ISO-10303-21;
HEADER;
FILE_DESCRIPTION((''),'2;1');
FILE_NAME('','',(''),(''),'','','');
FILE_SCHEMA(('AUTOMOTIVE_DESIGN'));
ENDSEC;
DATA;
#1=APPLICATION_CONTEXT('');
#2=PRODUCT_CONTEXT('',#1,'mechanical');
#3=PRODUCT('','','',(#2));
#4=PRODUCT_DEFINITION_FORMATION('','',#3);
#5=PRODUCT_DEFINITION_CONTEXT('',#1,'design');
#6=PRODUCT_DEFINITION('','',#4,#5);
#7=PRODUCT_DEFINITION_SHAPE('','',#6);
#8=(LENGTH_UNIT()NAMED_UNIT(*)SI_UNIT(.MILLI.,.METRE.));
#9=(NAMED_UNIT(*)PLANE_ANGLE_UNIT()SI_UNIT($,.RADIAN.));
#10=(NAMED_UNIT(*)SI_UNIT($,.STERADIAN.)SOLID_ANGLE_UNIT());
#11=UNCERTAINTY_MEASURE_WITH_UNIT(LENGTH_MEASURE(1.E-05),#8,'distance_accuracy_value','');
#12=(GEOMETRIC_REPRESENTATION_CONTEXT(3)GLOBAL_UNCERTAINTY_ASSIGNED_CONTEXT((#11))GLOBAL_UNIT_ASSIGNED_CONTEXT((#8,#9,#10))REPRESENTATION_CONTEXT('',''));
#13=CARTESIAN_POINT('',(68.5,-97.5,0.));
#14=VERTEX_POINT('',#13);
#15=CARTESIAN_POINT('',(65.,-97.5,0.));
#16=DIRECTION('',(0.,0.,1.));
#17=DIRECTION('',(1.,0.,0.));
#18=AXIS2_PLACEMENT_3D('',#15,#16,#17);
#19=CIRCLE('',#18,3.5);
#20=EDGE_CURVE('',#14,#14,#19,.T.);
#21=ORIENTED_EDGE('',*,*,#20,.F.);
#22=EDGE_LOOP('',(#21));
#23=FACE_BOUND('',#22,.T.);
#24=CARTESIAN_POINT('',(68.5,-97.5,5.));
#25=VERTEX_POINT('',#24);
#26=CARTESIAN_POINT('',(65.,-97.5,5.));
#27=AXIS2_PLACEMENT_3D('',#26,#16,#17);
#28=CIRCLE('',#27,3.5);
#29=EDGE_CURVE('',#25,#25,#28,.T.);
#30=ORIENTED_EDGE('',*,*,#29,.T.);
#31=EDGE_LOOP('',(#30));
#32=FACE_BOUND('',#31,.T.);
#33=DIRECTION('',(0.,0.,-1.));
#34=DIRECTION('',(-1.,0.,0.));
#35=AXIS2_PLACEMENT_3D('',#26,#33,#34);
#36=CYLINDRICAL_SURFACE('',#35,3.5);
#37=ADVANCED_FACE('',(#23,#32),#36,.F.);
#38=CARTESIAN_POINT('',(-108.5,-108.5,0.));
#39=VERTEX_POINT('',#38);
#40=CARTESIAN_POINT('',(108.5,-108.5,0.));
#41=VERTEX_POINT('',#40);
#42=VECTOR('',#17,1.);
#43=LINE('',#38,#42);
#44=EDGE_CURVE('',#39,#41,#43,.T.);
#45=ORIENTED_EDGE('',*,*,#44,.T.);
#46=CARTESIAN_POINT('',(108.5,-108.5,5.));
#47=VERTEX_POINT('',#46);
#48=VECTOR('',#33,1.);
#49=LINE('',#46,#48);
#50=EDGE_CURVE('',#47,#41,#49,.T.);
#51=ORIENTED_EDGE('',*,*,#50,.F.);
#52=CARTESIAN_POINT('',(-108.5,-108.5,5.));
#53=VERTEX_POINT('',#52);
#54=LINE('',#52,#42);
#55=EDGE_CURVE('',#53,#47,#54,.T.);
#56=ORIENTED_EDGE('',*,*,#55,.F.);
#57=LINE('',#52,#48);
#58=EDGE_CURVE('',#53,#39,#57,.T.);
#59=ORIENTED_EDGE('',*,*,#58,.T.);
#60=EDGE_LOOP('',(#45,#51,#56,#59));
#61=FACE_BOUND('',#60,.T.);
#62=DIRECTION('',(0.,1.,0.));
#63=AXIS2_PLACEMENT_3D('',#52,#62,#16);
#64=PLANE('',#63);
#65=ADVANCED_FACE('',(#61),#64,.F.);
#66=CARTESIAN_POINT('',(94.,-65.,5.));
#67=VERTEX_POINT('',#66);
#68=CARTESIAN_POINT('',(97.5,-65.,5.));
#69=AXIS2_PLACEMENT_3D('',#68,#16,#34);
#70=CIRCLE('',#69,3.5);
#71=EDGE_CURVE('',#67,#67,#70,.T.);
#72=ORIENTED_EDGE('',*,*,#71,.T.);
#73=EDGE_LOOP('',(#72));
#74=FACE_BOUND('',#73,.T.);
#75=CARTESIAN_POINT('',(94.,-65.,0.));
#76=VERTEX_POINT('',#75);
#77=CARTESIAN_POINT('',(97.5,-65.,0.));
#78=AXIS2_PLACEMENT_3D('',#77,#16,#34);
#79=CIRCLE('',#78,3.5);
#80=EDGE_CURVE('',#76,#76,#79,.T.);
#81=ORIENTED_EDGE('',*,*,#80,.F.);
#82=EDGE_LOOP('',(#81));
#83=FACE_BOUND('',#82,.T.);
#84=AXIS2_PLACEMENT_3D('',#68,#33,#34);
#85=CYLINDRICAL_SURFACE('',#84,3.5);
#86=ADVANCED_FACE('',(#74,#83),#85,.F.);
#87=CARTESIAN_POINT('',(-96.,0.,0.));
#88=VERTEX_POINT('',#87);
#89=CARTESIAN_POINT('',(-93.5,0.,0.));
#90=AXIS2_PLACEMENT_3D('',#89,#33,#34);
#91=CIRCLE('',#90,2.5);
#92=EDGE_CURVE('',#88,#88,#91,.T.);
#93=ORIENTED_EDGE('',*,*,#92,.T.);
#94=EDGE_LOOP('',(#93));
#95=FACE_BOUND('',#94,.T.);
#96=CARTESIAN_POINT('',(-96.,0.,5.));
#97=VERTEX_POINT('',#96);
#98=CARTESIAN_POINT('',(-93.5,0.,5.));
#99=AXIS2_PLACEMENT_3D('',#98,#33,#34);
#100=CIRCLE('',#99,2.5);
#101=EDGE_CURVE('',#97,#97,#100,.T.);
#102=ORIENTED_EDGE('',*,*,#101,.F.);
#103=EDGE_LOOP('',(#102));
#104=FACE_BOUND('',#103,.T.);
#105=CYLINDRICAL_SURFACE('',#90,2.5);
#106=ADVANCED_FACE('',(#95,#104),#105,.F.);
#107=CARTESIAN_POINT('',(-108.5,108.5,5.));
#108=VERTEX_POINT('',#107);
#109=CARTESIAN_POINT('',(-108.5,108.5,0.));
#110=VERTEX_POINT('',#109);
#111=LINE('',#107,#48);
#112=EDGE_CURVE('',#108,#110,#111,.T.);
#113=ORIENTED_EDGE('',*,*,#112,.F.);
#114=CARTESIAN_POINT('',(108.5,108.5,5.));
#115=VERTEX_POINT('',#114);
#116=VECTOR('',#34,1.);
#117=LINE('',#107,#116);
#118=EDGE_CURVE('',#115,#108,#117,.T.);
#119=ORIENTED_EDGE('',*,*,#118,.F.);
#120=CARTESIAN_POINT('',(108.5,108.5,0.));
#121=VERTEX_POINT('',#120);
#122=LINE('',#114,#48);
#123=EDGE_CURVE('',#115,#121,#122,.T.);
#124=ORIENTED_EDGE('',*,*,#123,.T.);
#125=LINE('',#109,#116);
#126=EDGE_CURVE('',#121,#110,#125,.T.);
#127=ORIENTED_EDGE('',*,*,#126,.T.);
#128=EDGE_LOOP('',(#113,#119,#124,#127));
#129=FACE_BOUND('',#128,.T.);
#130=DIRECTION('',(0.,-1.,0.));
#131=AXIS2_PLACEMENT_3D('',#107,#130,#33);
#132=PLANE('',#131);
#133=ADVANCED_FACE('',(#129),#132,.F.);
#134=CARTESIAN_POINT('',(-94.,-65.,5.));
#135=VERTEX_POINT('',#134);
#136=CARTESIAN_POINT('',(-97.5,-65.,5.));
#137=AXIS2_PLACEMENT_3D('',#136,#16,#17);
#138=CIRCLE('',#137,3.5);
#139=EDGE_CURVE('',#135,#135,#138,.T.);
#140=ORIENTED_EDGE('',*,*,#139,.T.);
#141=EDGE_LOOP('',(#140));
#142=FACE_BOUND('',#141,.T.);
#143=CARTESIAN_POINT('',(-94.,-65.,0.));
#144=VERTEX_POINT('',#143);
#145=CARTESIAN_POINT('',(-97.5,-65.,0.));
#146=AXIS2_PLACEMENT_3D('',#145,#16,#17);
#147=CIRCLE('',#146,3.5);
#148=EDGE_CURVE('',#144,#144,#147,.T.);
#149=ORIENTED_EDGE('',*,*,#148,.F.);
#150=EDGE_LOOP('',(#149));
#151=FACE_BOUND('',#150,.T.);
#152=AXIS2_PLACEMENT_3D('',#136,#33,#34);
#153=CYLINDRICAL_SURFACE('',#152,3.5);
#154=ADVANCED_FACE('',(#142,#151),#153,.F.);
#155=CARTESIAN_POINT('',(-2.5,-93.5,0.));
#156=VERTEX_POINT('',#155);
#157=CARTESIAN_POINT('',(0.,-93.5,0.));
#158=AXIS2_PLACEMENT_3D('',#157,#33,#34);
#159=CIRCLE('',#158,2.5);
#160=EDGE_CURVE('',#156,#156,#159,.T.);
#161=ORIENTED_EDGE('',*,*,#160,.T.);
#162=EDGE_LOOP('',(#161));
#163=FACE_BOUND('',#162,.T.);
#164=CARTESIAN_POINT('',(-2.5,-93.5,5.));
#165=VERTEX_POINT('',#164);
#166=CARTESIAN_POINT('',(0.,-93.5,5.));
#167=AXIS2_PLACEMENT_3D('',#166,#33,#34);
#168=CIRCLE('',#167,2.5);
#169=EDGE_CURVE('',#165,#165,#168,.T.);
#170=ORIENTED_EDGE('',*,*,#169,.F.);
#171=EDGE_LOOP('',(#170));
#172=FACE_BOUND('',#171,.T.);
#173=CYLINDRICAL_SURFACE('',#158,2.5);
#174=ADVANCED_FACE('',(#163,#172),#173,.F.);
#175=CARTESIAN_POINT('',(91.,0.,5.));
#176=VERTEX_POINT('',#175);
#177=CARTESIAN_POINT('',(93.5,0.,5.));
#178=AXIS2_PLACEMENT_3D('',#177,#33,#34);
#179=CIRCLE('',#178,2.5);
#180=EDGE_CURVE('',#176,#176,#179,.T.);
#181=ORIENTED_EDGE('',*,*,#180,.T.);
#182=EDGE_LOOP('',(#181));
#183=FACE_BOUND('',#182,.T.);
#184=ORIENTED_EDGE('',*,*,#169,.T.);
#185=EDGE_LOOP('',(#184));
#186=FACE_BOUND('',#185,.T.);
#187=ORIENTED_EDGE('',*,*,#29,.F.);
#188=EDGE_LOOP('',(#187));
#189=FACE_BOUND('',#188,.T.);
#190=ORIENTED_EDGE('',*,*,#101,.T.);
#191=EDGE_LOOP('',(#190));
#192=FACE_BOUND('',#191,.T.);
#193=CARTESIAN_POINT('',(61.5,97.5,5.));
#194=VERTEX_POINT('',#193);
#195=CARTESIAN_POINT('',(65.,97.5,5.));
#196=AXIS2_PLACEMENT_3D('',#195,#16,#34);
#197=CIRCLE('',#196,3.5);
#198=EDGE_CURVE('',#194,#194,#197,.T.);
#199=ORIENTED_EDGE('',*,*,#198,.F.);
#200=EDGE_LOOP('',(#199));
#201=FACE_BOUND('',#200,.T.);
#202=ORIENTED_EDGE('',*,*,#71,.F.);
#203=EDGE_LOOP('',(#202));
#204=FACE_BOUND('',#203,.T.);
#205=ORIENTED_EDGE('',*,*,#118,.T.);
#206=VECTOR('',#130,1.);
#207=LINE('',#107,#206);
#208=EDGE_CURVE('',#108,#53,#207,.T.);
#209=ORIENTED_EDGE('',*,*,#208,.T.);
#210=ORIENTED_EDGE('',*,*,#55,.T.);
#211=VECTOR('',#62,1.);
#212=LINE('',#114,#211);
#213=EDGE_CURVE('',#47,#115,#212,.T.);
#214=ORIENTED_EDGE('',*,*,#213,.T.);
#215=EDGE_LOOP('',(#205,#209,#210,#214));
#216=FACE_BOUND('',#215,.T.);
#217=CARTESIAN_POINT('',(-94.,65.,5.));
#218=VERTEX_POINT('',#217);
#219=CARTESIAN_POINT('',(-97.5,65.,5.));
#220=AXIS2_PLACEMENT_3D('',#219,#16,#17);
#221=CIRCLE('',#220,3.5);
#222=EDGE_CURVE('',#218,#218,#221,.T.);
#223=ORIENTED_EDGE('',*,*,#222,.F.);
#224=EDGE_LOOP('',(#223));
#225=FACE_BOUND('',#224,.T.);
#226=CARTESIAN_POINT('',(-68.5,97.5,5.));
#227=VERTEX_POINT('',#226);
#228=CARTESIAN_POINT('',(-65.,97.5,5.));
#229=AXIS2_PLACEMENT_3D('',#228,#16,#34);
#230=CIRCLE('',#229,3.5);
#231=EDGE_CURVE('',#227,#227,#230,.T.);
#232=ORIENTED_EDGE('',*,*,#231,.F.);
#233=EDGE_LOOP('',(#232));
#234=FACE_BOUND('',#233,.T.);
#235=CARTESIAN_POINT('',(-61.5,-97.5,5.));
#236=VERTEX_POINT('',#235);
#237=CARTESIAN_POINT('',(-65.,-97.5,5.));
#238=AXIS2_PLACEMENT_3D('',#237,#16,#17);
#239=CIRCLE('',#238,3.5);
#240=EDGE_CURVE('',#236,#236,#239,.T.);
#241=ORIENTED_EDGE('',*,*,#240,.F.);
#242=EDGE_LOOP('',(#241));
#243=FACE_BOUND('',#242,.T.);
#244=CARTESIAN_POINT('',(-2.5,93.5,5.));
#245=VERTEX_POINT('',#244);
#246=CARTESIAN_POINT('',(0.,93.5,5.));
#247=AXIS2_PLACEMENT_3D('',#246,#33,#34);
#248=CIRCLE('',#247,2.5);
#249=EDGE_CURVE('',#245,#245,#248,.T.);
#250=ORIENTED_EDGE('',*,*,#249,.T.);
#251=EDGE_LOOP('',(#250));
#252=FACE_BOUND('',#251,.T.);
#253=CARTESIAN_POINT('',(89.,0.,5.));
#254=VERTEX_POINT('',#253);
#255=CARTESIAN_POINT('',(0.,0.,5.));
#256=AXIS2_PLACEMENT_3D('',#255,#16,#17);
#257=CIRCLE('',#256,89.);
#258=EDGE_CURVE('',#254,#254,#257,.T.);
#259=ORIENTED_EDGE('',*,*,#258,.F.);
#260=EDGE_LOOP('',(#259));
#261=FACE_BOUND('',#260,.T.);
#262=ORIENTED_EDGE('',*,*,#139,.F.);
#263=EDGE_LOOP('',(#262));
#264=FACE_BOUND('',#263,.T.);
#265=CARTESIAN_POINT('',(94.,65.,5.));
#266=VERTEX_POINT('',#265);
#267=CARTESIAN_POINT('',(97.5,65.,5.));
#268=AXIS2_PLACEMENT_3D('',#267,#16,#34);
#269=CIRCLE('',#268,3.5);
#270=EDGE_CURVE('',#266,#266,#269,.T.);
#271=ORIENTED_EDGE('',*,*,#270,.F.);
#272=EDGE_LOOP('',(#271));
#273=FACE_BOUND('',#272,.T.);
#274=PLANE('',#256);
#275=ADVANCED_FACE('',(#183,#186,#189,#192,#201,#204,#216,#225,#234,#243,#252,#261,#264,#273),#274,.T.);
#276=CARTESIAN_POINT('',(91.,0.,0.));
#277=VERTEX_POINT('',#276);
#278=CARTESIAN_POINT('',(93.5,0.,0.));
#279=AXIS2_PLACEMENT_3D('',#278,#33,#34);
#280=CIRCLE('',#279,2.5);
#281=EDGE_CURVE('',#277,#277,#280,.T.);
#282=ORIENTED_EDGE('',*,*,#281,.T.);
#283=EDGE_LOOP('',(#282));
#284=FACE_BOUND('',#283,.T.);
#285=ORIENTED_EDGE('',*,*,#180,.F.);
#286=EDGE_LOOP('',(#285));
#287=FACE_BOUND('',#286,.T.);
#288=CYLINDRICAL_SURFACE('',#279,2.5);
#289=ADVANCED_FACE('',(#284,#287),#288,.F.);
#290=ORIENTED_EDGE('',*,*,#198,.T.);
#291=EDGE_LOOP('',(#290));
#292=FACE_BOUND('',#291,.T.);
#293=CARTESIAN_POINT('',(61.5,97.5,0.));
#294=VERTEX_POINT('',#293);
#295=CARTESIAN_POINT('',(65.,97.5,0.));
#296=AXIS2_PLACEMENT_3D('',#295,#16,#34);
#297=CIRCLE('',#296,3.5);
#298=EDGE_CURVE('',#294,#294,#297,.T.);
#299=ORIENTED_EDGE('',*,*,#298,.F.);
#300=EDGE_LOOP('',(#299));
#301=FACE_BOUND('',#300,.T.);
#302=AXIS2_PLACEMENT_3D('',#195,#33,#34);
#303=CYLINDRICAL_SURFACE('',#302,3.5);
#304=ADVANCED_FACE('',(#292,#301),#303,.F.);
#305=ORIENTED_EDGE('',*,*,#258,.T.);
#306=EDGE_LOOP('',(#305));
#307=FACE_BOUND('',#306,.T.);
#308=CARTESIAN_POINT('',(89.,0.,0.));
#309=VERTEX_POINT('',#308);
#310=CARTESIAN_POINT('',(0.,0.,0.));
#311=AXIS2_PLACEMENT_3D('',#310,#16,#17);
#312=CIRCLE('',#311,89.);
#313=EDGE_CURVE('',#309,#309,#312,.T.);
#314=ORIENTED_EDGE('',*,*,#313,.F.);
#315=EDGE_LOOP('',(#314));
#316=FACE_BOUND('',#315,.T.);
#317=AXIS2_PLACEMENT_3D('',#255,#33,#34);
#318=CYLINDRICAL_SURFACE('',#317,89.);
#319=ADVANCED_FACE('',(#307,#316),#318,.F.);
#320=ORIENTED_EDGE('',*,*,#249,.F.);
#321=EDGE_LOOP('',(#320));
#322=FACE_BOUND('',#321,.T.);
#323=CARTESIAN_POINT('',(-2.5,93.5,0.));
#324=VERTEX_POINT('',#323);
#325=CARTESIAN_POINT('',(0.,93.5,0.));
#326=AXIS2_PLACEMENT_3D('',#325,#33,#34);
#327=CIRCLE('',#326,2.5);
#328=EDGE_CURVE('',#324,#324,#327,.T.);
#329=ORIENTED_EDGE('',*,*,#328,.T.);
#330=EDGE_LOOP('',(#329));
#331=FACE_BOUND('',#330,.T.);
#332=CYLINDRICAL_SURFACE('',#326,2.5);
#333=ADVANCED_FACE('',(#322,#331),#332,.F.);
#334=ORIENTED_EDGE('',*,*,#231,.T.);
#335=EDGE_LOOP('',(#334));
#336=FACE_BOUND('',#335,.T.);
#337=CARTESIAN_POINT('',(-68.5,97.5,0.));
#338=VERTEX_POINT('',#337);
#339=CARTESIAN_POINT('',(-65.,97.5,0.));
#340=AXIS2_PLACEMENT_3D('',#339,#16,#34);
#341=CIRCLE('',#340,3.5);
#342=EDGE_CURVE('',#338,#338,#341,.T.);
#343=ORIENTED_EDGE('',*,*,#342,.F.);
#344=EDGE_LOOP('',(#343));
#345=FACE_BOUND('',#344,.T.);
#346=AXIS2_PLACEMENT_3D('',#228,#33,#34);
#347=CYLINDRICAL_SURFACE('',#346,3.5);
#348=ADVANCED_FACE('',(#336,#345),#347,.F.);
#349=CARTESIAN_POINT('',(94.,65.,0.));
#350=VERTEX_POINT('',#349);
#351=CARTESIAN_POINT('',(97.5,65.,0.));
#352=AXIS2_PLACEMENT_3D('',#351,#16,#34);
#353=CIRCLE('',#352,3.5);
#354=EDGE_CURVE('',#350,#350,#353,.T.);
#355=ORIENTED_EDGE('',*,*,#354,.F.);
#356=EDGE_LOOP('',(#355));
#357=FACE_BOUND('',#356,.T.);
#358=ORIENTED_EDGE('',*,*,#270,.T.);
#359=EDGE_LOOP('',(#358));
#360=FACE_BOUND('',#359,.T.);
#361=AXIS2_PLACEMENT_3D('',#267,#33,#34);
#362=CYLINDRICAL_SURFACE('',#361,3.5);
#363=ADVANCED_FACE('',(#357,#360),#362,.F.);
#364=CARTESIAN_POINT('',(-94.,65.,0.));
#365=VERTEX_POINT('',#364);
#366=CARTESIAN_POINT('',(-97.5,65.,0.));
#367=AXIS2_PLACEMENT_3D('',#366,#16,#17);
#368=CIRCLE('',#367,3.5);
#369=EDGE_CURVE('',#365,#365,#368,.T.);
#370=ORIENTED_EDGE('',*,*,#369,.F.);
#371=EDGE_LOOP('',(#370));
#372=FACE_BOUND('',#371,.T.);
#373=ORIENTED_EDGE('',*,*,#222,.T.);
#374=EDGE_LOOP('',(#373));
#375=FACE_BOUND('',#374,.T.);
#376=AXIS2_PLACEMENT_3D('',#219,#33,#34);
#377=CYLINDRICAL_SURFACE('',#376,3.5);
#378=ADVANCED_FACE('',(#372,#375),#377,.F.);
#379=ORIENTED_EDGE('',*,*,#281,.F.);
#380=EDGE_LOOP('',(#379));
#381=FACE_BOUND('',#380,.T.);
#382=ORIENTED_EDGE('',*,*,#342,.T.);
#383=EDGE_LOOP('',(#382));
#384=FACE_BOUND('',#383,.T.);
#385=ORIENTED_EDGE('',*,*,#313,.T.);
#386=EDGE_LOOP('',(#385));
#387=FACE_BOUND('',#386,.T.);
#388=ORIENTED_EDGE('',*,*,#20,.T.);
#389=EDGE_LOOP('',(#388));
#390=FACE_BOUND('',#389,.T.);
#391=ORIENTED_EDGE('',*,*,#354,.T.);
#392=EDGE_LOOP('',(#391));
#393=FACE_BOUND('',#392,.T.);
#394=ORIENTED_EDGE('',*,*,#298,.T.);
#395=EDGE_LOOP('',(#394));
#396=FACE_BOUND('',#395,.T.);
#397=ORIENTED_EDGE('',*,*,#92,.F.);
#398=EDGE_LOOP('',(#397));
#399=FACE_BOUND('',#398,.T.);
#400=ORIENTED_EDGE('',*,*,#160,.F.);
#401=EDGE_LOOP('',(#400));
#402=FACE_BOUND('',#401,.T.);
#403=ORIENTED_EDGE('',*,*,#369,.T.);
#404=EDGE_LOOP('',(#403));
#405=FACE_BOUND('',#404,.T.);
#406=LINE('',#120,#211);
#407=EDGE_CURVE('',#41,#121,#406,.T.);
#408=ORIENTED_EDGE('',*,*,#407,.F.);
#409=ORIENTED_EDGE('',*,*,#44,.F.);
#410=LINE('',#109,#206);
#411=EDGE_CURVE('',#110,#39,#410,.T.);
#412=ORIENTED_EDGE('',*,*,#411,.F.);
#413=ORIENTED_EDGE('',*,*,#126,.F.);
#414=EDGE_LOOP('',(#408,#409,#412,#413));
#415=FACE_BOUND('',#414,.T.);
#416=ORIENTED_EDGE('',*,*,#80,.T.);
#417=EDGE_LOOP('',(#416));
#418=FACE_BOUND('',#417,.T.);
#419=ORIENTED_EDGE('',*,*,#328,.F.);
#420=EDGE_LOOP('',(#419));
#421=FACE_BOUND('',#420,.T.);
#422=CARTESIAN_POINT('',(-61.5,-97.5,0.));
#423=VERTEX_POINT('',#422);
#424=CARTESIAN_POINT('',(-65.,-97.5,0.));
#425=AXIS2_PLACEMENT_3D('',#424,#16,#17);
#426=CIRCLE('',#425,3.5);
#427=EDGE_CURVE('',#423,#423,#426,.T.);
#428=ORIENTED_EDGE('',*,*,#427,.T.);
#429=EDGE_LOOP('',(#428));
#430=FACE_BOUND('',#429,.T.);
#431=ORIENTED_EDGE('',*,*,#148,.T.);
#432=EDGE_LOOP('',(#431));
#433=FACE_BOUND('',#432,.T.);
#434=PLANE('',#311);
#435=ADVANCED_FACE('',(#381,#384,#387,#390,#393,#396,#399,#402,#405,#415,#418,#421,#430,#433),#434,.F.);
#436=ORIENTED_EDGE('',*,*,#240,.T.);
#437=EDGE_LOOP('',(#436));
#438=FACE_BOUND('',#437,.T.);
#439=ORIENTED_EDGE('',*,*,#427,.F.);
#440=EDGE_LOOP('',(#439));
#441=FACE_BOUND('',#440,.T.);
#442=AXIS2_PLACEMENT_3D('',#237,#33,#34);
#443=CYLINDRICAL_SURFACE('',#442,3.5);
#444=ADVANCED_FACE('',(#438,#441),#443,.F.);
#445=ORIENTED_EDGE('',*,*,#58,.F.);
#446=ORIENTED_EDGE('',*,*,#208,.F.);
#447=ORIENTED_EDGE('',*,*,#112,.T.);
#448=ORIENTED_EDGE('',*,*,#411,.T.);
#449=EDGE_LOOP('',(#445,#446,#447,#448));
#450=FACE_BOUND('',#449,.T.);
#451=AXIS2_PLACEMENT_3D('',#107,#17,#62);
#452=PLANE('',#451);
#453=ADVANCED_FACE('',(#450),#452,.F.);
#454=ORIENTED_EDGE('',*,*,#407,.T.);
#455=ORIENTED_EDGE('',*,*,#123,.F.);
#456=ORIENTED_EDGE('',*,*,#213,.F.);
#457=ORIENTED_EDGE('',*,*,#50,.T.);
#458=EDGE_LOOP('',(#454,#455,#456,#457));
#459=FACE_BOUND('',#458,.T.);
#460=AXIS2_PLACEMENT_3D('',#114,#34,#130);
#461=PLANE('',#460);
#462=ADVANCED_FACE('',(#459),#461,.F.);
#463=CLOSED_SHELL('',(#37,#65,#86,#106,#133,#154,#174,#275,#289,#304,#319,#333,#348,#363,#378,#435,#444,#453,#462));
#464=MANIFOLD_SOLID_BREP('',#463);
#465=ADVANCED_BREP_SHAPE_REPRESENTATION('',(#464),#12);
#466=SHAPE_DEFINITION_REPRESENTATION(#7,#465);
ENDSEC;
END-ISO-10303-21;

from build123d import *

# Parameters (mm, degrees)
SKETCH2_W           = 217
SKETCH2_H           = 217
SKETCH2_R           = 89
SKETCH2_R_2         = 3.5
BOSS_EXTRUDE1_DEPTH = 5
M6_TAPPED_HOLE1_D   = 5
CIRPATTERN1_COUNT   = 4


with BuildPart() as part:
    # Sketch2 → Boss-Extrude1 (new body)
    with BuildSketch(Plane.XY):
        Rectangle(SKETCH2_W, SKETCH2_H)
        Circle(SKETCH2_R, mode=Mode.SUBTRACT)
        with Locations((-97.5, -65)):
            Circle(SKETCH2_R_2, mode=Mode.SUBTRACT)
        with Locations((-97.5, 65)):
            Circle(SKETCH2_R_2, mode=Mode.SUBTRACT)
        with Locations(Location((97.5, 65, 0), (0, 0, 180))):
            Circle(SKETCH2_R_2, mode=Mode.SUBTRACT)
        with Locations(Location((97.5, -65, 0), (0, 0, 180))):
            Circle(SKETCH2_R_2, mode=Mode.SUBTRACT)
        with Locations((-65, -97.5)):
            Circle(SKETCH2_R_2, mode=Mode.SUBTRACT)
        with Locations((65, -97.5)):
            Circle(SKETCH2_R_2, mode=Mode.SUBTRACT)
        with Locations(Location((65, 97.5, 0), (0, 0, 180))):
            Circle(SKETCH2_R_2, mode=Mode.SUBTRACT)
        with Locations(Location((-65, 97.5, 0), (0, 0, 180))):
            Circle(SKETCH2_R_2, mode=Mode.SUBTRACT)
    extrude(amount=BOSS_EXTRUDE1_DEPTH)

    # M6 Tapped Hole1 (through all)
    with Locations(Plane(origin=(0, 0, 0), x_dir=(-1, 0, 0), z_dir=(0, 0, -1))):
        with Locations((0, -93.5)):
            m6_tapped_hole1 = Hole(M6_TAPPED_HOLE1_D / 2)

    # CirPattern1: M6 Tapped Hole1 ×4 about axis
    cirpattern1_axis = Axis((0, 0, 0), (0, 0, 1))
    for i in range(1, CIRPATTERN1_COUNT):
        add(m6_tapped_hole1.rotate(cirpattern1_axis, i * 360 / CIRPATTERN1_COUNT), mode=Mode.SUBTRACT)


solid = part.part
